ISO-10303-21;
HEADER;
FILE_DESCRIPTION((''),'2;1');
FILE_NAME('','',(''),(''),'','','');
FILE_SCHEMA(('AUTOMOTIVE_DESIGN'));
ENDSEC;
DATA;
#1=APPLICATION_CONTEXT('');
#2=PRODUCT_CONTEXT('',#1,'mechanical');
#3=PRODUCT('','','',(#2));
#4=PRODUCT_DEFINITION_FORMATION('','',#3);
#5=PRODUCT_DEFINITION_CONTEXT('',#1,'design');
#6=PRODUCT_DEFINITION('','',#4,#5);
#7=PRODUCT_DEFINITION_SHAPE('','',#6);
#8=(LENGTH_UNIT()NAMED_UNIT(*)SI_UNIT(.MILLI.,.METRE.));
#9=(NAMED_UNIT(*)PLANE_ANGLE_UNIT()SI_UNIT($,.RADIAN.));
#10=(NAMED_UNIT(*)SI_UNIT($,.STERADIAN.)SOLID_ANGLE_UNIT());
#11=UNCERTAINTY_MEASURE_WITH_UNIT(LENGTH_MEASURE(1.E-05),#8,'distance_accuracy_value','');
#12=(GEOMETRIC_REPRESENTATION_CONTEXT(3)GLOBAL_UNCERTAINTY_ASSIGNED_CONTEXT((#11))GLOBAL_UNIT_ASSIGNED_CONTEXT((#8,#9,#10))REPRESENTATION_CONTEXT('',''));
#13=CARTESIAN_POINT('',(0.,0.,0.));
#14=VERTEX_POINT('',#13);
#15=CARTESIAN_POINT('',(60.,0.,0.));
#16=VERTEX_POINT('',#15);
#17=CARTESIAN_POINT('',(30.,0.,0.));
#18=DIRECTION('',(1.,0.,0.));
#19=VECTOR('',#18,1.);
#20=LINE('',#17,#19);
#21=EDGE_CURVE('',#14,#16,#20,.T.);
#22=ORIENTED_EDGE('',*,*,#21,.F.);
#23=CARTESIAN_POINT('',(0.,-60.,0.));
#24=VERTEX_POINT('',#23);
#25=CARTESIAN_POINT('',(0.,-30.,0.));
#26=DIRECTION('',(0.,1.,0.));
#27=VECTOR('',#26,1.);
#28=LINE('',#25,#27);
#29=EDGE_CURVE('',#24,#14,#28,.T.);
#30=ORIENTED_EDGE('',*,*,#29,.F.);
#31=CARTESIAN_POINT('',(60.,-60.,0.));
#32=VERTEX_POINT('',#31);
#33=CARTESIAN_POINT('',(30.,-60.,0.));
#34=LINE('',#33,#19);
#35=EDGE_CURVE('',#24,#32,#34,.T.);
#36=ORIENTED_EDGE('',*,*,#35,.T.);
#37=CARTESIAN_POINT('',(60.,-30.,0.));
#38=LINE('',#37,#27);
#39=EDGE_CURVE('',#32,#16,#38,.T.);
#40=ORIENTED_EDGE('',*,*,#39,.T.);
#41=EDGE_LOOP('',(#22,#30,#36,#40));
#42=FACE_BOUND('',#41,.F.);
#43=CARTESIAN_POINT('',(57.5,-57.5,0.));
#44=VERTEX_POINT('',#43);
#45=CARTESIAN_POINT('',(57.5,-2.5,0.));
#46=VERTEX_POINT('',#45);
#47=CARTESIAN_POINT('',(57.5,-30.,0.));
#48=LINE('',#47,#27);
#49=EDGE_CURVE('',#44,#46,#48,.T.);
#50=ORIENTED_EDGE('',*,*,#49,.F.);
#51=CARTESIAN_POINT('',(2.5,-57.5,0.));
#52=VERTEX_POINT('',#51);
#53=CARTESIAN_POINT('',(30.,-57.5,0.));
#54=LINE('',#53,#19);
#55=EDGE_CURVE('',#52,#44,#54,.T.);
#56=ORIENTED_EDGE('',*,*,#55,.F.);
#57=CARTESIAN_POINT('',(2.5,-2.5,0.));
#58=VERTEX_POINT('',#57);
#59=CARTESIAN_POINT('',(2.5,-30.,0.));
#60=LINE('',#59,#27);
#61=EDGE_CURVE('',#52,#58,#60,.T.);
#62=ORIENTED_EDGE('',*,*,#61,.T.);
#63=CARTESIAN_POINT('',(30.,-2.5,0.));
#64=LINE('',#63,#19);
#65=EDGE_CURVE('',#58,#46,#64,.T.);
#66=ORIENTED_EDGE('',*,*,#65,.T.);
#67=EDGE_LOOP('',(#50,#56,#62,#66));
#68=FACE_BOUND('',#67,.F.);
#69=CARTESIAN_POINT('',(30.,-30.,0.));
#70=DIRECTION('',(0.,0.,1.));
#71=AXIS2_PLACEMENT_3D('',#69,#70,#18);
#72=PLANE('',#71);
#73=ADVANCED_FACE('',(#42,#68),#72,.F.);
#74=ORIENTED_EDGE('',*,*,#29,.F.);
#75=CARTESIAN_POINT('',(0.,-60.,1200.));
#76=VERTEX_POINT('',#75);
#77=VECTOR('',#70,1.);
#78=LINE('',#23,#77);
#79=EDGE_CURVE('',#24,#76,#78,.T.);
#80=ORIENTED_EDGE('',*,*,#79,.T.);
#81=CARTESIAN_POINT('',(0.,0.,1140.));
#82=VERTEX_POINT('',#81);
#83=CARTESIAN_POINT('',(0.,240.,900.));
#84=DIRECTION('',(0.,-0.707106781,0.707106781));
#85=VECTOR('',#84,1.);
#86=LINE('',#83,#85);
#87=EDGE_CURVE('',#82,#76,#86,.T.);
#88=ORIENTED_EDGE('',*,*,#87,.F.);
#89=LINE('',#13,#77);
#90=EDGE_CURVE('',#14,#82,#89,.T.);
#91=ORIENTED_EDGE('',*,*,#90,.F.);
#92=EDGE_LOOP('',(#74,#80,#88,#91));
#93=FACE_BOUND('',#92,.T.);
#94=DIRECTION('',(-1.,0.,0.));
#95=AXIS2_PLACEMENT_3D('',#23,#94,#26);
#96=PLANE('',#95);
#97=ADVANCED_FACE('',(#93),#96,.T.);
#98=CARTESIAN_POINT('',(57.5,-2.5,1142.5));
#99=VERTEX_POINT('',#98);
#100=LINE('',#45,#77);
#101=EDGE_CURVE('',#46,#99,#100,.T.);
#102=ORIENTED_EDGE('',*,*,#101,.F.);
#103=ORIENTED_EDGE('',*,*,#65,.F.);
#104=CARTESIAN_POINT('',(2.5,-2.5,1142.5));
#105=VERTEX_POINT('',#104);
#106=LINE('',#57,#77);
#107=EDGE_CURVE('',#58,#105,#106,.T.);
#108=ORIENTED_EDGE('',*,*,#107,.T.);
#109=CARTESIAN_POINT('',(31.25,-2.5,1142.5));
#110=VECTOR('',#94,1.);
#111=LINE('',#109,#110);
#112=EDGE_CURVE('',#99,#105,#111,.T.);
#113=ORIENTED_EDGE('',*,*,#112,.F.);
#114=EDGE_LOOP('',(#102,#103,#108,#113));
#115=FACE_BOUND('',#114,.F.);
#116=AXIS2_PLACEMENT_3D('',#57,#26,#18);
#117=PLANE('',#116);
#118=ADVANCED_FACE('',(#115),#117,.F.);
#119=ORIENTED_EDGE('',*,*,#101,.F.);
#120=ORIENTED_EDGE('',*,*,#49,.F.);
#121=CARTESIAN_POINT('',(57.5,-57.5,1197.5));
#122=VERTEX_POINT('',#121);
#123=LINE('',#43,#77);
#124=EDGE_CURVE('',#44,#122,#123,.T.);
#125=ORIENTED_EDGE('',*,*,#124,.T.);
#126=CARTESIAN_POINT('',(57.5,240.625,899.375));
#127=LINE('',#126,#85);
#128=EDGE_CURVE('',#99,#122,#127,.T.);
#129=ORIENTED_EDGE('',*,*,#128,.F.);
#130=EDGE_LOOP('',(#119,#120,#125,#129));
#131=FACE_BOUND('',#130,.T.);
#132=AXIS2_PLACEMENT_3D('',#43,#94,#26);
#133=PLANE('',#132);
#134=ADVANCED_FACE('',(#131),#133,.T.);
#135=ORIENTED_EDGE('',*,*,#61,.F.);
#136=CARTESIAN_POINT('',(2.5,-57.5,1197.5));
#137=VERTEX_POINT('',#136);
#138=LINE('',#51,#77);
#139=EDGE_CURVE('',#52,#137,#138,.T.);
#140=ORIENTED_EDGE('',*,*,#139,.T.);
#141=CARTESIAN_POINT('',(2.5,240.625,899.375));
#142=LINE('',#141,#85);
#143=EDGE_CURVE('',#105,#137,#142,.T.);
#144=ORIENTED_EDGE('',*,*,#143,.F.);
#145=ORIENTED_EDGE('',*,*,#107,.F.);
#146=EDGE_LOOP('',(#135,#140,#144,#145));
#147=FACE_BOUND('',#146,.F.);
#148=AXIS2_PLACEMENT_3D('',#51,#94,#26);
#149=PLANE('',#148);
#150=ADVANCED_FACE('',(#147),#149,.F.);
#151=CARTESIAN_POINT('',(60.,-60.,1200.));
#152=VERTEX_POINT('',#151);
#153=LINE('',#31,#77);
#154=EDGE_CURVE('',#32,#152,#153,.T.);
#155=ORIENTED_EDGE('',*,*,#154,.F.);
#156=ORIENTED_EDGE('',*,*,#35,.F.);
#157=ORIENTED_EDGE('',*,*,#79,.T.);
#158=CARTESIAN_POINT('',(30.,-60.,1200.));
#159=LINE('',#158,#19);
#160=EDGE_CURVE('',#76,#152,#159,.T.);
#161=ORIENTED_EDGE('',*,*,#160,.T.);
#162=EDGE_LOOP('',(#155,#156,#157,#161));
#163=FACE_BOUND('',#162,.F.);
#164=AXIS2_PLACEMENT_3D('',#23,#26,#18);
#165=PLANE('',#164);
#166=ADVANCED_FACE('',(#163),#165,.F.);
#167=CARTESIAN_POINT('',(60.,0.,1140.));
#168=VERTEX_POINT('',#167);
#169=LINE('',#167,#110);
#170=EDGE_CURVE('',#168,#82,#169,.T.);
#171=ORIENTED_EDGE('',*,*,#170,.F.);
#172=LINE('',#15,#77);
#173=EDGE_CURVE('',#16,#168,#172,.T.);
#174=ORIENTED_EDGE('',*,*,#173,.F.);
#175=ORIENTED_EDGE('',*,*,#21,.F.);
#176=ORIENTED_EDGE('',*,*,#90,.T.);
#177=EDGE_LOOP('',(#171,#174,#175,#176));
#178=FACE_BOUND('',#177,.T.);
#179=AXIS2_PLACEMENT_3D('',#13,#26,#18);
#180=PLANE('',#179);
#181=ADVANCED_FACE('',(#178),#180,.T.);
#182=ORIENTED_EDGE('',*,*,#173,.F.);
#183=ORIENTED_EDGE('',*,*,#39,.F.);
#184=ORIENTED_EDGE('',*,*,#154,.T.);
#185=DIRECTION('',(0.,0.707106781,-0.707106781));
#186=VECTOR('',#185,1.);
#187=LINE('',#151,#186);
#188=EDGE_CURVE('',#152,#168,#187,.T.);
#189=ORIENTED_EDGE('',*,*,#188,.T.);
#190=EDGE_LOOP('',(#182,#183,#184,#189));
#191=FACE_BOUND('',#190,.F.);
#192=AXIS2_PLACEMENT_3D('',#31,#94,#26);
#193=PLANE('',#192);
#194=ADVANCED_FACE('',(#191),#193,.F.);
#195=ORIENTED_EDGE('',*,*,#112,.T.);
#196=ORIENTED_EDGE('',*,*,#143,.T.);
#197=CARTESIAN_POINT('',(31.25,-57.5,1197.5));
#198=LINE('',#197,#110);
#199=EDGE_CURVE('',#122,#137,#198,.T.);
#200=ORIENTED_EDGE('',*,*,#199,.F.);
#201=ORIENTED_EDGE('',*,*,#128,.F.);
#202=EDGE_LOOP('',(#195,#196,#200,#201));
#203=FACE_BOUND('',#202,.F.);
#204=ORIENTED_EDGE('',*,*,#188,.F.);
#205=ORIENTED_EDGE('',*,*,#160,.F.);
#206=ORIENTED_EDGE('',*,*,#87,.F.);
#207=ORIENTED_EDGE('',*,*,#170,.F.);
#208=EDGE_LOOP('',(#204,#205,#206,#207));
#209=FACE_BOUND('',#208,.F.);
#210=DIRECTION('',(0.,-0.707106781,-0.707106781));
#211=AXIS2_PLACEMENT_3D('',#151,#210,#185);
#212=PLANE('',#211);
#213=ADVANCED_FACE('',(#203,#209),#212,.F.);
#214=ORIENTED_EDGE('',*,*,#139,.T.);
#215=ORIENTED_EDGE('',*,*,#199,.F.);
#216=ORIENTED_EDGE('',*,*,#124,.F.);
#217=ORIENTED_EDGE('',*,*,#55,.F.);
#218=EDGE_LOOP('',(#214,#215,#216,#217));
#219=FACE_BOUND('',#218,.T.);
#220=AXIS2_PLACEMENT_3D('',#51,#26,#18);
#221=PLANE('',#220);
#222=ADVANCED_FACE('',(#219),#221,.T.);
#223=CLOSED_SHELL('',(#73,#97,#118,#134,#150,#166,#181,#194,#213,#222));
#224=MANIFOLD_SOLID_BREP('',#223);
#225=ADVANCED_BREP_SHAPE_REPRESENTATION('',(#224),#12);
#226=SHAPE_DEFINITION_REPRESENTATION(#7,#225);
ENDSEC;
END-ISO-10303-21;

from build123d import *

# Parameters (mm, degrees)
F0_W     = 60
F0_H     = 60
F0_W_2   = 55
F0_H_2   = 55
F1_DEPTH = 1200
F3_DEPTH = 70


with BuildPart() as f1:
    # F0 (on Top) → F1 (new body)
    with BuildSketch(Plane.XY):
        with Locations((30, -30)):
            Rectangle(F0_W, F0_H)
        with Locations((30, -30)):
            Rectangle(F0_W_2, F0_H_2, mode=Mode.SUBTRACT)
    extrude(amount=F1_DEPTH)

    # F2 (on face) → F3 (cut)
    with BuildSketch(Plane.YZ.offset(60)):
        Polygon((0, 1200), (-60, 1200), (0, 1140), align=None)
    extrude(amount=-F3_DEPTH, mode=Mode.SUBTRACT)


solid = f1.part
